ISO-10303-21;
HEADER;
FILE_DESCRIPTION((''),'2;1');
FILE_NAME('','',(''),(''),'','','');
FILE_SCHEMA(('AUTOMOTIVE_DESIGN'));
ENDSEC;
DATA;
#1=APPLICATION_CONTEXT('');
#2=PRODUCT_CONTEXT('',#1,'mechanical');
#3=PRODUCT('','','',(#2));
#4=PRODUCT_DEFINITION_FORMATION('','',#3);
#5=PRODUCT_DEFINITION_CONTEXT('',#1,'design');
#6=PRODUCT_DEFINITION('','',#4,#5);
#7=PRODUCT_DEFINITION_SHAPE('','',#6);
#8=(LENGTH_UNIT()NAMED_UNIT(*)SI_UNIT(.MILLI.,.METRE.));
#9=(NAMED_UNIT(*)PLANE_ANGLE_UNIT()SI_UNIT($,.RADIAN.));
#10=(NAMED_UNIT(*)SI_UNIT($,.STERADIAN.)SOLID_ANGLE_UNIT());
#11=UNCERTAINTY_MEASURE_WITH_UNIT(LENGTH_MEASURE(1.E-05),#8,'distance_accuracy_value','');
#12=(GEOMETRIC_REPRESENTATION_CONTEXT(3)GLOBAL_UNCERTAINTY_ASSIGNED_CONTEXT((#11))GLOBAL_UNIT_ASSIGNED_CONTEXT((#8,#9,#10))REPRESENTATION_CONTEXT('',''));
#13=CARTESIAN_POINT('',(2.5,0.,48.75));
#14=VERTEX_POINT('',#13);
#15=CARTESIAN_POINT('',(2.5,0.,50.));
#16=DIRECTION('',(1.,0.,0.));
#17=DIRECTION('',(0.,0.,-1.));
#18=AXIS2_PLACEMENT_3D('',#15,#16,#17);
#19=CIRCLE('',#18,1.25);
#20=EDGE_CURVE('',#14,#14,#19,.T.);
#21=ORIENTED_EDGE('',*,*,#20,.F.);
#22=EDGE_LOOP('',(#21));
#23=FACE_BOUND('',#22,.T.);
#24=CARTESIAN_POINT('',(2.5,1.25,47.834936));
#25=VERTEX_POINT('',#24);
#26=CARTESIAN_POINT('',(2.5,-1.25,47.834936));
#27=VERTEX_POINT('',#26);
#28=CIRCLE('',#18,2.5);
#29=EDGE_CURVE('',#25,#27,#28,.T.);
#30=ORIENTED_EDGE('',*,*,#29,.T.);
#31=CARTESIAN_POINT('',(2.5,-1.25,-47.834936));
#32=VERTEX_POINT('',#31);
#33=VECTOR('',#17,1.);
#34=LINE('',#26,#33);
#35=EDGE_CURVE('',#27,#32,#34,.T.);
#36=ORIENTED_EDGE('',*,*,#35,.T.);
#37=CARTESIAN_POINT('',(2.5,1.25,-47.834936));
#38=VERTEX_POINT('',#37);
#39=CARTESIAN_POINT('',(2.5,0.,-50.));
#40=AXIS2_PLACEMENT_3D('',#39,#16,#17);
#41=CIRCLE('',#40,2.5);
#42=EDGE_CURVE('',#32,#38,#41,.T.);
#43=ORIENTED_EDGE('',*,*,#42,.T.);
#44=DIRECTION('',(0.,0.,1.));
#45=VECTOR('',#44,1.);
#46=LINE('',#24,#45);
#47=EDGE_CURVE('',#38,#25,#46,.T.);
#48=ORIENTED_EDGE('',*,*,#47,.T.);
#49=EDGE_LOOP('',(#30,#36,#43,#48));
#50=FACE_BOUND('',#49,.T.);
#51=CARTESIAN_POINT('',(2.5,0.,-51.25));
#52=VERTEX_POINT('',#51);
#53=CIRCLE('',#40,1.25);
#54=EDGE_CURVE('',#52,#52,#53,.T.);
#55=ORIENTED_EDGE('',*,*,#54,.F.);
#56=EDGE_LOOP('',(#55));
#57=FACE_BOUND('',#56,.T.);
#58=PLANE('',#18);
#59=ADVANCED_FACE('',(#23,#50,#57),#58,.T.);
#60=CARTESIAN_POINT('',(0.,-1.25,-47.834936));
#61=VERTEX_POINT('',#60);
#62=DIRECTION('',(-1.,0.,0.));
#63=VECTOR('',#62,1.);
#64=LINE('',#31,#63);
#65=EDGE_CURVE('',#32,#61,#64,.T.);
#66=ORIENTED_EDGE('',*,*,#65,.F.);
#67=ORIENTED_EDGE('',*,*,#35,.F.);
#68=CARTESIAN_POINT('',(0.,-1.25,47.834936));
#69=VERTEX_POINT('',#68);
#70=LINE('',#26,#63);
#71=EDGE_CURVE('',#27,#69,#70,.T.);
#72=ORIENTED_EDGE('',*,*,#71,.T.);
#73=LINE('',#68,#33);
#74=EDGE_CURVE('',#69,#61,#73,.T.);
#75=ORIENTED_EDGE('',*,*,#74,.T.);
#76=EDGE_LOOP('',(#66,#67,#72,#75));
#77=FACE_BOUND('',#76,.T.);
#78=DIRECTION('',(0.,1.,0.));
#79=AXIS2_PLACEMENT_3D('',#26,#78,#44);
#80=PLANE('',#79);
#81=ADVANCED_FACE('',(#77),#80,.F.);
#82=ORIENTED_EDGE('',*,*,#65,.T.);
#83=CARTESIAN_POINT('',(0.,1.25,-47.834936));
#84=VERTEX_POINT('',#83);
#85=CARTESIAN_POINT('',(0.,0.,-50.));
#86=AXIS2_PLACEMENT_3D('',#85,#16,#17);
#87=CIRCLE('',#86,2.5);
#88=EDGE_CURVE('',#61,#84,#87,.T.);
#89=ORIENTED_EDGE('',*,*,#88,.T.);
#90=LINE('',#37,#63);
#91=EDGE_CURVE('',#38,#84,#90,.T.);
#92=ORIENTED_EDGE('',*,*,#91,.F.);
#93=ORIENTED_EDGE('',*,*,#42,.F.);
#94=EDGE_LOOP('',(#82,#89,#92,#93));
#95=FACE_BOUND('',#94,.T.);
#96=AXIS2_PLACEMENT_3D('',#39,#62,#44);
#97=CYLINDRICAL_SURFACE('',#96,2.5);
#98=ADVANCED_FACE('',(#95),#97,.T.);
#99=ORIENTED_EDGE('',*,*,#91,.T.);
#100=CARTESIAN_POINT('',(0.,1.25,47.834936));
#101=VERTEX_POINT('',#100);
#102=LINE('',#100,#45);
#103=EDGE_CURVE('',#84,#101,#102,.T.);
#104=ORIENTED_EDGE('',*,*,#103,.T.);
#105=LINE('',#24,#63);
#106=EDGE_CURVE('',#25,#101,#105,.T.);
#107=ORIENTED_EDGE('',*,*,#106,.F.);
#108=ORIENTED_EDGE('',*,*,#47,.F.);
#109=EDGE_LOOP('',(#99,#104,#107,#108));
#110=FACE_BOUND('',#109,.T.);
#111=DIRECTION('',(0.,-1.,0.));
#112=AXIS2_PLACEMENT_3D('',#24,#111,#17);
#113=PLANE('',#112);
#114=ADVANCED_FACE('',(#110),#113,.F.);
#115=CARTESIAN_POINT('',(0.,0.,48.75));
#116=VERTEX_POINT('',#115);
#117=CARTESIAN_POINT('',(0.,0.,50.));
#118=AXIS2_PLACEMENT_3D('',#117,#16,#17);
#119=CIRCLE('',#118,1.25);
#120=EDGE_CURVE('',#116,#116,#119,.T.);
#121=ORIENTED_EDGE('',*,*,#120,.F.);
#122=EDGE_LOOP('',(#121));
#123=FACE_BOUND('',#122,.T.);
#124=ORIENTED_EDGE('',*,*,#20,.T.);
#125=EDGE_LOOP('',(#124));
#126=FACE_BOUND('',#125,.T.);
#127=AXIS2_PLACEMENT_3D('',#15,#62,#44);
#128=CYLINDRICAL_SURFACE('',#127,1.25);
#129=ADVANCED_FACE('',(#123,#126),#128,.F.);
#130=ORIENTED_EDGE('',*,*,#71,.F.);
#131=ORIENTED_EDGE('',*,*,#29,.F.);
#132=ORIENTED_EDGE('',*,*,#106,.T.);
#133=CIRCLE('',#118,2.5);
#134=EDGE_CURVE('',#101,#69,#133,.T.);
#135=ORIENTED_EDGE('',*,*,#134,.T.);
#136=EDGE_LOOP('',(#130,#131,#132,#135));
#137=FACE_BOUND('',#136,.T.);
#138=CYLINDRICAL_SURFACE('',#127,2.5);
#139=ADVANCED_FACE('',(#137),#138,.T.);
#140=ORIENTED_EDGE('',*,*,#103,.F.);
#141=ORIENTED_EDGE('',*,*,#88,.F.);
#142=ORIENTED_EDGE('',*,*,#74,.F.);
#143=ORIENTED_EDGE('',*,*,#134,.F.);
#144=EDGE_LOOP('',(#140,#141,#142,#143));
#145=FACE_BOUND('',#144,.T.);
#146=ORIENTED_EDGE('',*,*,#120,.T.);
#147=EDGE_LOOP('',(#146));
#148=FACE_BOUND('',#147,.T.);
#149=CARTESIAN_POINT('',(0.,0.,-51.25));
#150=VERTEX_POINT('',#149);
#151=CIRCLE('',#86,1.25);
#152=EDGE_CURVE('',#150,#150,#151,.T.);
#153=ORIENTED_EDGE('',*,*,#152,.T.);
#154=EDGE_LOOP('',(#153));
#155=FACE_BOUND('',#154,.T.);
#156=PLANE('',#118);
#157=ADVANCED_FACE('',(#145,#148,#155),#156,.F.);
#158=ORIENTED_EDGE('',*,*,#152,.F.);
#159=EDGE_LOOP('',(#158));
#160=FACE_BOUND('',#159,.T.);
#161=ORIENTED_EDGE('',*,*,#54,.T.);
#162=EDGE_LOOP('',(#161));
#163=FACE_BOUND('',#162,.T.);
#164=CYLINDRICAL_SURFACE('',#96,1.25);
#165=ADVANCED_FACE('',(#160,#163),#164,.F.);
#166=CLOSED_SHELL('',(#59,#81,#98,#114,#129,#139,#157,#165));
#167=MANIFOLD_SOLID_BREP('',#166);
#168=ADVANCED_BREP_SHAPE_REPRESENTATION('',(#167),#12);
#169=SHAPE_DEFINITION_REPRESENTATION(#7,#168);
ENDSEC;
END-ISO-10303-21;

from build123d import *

# Parameters (mm, degrees)
SKETCH_1_R      = 1.25
EXTRUDE_1_DEPTH = 2.5


with BuildPart() as part:
    # 스케치1 → 보스-돌출1 (new body)
    with BuildSketch(Plane(origin=(0, 0, 0), x_dir=(0, 0, -1), z_dir=(1, 0, 0))):
        with BuildLine():
            Line((-47.834936491, 1.25), (47.834936491, 1.25))
            ThreePointArc((47.834936491, 1.25), (52.5, 0), (47.834936491, -1.25))
            Line((47.834936491, -1.25), (-47.834936491, -1.25))
            ThreePointArc((-47.834936491, -1.25), (-52.5, 0), (-47.834936491, 1.25))
        make_face()
        with Locations((-50, 0)):
            Circle(SKETCH_1_R, mode=Mode.SUBTRACT)
        with Locations((50, 0)):
            Circle(SKETCH_1_R, mode=Mode.SUBTRACT)
    extrude(amount=EXTRUDE_1_DEPTH)


solid = part.part
